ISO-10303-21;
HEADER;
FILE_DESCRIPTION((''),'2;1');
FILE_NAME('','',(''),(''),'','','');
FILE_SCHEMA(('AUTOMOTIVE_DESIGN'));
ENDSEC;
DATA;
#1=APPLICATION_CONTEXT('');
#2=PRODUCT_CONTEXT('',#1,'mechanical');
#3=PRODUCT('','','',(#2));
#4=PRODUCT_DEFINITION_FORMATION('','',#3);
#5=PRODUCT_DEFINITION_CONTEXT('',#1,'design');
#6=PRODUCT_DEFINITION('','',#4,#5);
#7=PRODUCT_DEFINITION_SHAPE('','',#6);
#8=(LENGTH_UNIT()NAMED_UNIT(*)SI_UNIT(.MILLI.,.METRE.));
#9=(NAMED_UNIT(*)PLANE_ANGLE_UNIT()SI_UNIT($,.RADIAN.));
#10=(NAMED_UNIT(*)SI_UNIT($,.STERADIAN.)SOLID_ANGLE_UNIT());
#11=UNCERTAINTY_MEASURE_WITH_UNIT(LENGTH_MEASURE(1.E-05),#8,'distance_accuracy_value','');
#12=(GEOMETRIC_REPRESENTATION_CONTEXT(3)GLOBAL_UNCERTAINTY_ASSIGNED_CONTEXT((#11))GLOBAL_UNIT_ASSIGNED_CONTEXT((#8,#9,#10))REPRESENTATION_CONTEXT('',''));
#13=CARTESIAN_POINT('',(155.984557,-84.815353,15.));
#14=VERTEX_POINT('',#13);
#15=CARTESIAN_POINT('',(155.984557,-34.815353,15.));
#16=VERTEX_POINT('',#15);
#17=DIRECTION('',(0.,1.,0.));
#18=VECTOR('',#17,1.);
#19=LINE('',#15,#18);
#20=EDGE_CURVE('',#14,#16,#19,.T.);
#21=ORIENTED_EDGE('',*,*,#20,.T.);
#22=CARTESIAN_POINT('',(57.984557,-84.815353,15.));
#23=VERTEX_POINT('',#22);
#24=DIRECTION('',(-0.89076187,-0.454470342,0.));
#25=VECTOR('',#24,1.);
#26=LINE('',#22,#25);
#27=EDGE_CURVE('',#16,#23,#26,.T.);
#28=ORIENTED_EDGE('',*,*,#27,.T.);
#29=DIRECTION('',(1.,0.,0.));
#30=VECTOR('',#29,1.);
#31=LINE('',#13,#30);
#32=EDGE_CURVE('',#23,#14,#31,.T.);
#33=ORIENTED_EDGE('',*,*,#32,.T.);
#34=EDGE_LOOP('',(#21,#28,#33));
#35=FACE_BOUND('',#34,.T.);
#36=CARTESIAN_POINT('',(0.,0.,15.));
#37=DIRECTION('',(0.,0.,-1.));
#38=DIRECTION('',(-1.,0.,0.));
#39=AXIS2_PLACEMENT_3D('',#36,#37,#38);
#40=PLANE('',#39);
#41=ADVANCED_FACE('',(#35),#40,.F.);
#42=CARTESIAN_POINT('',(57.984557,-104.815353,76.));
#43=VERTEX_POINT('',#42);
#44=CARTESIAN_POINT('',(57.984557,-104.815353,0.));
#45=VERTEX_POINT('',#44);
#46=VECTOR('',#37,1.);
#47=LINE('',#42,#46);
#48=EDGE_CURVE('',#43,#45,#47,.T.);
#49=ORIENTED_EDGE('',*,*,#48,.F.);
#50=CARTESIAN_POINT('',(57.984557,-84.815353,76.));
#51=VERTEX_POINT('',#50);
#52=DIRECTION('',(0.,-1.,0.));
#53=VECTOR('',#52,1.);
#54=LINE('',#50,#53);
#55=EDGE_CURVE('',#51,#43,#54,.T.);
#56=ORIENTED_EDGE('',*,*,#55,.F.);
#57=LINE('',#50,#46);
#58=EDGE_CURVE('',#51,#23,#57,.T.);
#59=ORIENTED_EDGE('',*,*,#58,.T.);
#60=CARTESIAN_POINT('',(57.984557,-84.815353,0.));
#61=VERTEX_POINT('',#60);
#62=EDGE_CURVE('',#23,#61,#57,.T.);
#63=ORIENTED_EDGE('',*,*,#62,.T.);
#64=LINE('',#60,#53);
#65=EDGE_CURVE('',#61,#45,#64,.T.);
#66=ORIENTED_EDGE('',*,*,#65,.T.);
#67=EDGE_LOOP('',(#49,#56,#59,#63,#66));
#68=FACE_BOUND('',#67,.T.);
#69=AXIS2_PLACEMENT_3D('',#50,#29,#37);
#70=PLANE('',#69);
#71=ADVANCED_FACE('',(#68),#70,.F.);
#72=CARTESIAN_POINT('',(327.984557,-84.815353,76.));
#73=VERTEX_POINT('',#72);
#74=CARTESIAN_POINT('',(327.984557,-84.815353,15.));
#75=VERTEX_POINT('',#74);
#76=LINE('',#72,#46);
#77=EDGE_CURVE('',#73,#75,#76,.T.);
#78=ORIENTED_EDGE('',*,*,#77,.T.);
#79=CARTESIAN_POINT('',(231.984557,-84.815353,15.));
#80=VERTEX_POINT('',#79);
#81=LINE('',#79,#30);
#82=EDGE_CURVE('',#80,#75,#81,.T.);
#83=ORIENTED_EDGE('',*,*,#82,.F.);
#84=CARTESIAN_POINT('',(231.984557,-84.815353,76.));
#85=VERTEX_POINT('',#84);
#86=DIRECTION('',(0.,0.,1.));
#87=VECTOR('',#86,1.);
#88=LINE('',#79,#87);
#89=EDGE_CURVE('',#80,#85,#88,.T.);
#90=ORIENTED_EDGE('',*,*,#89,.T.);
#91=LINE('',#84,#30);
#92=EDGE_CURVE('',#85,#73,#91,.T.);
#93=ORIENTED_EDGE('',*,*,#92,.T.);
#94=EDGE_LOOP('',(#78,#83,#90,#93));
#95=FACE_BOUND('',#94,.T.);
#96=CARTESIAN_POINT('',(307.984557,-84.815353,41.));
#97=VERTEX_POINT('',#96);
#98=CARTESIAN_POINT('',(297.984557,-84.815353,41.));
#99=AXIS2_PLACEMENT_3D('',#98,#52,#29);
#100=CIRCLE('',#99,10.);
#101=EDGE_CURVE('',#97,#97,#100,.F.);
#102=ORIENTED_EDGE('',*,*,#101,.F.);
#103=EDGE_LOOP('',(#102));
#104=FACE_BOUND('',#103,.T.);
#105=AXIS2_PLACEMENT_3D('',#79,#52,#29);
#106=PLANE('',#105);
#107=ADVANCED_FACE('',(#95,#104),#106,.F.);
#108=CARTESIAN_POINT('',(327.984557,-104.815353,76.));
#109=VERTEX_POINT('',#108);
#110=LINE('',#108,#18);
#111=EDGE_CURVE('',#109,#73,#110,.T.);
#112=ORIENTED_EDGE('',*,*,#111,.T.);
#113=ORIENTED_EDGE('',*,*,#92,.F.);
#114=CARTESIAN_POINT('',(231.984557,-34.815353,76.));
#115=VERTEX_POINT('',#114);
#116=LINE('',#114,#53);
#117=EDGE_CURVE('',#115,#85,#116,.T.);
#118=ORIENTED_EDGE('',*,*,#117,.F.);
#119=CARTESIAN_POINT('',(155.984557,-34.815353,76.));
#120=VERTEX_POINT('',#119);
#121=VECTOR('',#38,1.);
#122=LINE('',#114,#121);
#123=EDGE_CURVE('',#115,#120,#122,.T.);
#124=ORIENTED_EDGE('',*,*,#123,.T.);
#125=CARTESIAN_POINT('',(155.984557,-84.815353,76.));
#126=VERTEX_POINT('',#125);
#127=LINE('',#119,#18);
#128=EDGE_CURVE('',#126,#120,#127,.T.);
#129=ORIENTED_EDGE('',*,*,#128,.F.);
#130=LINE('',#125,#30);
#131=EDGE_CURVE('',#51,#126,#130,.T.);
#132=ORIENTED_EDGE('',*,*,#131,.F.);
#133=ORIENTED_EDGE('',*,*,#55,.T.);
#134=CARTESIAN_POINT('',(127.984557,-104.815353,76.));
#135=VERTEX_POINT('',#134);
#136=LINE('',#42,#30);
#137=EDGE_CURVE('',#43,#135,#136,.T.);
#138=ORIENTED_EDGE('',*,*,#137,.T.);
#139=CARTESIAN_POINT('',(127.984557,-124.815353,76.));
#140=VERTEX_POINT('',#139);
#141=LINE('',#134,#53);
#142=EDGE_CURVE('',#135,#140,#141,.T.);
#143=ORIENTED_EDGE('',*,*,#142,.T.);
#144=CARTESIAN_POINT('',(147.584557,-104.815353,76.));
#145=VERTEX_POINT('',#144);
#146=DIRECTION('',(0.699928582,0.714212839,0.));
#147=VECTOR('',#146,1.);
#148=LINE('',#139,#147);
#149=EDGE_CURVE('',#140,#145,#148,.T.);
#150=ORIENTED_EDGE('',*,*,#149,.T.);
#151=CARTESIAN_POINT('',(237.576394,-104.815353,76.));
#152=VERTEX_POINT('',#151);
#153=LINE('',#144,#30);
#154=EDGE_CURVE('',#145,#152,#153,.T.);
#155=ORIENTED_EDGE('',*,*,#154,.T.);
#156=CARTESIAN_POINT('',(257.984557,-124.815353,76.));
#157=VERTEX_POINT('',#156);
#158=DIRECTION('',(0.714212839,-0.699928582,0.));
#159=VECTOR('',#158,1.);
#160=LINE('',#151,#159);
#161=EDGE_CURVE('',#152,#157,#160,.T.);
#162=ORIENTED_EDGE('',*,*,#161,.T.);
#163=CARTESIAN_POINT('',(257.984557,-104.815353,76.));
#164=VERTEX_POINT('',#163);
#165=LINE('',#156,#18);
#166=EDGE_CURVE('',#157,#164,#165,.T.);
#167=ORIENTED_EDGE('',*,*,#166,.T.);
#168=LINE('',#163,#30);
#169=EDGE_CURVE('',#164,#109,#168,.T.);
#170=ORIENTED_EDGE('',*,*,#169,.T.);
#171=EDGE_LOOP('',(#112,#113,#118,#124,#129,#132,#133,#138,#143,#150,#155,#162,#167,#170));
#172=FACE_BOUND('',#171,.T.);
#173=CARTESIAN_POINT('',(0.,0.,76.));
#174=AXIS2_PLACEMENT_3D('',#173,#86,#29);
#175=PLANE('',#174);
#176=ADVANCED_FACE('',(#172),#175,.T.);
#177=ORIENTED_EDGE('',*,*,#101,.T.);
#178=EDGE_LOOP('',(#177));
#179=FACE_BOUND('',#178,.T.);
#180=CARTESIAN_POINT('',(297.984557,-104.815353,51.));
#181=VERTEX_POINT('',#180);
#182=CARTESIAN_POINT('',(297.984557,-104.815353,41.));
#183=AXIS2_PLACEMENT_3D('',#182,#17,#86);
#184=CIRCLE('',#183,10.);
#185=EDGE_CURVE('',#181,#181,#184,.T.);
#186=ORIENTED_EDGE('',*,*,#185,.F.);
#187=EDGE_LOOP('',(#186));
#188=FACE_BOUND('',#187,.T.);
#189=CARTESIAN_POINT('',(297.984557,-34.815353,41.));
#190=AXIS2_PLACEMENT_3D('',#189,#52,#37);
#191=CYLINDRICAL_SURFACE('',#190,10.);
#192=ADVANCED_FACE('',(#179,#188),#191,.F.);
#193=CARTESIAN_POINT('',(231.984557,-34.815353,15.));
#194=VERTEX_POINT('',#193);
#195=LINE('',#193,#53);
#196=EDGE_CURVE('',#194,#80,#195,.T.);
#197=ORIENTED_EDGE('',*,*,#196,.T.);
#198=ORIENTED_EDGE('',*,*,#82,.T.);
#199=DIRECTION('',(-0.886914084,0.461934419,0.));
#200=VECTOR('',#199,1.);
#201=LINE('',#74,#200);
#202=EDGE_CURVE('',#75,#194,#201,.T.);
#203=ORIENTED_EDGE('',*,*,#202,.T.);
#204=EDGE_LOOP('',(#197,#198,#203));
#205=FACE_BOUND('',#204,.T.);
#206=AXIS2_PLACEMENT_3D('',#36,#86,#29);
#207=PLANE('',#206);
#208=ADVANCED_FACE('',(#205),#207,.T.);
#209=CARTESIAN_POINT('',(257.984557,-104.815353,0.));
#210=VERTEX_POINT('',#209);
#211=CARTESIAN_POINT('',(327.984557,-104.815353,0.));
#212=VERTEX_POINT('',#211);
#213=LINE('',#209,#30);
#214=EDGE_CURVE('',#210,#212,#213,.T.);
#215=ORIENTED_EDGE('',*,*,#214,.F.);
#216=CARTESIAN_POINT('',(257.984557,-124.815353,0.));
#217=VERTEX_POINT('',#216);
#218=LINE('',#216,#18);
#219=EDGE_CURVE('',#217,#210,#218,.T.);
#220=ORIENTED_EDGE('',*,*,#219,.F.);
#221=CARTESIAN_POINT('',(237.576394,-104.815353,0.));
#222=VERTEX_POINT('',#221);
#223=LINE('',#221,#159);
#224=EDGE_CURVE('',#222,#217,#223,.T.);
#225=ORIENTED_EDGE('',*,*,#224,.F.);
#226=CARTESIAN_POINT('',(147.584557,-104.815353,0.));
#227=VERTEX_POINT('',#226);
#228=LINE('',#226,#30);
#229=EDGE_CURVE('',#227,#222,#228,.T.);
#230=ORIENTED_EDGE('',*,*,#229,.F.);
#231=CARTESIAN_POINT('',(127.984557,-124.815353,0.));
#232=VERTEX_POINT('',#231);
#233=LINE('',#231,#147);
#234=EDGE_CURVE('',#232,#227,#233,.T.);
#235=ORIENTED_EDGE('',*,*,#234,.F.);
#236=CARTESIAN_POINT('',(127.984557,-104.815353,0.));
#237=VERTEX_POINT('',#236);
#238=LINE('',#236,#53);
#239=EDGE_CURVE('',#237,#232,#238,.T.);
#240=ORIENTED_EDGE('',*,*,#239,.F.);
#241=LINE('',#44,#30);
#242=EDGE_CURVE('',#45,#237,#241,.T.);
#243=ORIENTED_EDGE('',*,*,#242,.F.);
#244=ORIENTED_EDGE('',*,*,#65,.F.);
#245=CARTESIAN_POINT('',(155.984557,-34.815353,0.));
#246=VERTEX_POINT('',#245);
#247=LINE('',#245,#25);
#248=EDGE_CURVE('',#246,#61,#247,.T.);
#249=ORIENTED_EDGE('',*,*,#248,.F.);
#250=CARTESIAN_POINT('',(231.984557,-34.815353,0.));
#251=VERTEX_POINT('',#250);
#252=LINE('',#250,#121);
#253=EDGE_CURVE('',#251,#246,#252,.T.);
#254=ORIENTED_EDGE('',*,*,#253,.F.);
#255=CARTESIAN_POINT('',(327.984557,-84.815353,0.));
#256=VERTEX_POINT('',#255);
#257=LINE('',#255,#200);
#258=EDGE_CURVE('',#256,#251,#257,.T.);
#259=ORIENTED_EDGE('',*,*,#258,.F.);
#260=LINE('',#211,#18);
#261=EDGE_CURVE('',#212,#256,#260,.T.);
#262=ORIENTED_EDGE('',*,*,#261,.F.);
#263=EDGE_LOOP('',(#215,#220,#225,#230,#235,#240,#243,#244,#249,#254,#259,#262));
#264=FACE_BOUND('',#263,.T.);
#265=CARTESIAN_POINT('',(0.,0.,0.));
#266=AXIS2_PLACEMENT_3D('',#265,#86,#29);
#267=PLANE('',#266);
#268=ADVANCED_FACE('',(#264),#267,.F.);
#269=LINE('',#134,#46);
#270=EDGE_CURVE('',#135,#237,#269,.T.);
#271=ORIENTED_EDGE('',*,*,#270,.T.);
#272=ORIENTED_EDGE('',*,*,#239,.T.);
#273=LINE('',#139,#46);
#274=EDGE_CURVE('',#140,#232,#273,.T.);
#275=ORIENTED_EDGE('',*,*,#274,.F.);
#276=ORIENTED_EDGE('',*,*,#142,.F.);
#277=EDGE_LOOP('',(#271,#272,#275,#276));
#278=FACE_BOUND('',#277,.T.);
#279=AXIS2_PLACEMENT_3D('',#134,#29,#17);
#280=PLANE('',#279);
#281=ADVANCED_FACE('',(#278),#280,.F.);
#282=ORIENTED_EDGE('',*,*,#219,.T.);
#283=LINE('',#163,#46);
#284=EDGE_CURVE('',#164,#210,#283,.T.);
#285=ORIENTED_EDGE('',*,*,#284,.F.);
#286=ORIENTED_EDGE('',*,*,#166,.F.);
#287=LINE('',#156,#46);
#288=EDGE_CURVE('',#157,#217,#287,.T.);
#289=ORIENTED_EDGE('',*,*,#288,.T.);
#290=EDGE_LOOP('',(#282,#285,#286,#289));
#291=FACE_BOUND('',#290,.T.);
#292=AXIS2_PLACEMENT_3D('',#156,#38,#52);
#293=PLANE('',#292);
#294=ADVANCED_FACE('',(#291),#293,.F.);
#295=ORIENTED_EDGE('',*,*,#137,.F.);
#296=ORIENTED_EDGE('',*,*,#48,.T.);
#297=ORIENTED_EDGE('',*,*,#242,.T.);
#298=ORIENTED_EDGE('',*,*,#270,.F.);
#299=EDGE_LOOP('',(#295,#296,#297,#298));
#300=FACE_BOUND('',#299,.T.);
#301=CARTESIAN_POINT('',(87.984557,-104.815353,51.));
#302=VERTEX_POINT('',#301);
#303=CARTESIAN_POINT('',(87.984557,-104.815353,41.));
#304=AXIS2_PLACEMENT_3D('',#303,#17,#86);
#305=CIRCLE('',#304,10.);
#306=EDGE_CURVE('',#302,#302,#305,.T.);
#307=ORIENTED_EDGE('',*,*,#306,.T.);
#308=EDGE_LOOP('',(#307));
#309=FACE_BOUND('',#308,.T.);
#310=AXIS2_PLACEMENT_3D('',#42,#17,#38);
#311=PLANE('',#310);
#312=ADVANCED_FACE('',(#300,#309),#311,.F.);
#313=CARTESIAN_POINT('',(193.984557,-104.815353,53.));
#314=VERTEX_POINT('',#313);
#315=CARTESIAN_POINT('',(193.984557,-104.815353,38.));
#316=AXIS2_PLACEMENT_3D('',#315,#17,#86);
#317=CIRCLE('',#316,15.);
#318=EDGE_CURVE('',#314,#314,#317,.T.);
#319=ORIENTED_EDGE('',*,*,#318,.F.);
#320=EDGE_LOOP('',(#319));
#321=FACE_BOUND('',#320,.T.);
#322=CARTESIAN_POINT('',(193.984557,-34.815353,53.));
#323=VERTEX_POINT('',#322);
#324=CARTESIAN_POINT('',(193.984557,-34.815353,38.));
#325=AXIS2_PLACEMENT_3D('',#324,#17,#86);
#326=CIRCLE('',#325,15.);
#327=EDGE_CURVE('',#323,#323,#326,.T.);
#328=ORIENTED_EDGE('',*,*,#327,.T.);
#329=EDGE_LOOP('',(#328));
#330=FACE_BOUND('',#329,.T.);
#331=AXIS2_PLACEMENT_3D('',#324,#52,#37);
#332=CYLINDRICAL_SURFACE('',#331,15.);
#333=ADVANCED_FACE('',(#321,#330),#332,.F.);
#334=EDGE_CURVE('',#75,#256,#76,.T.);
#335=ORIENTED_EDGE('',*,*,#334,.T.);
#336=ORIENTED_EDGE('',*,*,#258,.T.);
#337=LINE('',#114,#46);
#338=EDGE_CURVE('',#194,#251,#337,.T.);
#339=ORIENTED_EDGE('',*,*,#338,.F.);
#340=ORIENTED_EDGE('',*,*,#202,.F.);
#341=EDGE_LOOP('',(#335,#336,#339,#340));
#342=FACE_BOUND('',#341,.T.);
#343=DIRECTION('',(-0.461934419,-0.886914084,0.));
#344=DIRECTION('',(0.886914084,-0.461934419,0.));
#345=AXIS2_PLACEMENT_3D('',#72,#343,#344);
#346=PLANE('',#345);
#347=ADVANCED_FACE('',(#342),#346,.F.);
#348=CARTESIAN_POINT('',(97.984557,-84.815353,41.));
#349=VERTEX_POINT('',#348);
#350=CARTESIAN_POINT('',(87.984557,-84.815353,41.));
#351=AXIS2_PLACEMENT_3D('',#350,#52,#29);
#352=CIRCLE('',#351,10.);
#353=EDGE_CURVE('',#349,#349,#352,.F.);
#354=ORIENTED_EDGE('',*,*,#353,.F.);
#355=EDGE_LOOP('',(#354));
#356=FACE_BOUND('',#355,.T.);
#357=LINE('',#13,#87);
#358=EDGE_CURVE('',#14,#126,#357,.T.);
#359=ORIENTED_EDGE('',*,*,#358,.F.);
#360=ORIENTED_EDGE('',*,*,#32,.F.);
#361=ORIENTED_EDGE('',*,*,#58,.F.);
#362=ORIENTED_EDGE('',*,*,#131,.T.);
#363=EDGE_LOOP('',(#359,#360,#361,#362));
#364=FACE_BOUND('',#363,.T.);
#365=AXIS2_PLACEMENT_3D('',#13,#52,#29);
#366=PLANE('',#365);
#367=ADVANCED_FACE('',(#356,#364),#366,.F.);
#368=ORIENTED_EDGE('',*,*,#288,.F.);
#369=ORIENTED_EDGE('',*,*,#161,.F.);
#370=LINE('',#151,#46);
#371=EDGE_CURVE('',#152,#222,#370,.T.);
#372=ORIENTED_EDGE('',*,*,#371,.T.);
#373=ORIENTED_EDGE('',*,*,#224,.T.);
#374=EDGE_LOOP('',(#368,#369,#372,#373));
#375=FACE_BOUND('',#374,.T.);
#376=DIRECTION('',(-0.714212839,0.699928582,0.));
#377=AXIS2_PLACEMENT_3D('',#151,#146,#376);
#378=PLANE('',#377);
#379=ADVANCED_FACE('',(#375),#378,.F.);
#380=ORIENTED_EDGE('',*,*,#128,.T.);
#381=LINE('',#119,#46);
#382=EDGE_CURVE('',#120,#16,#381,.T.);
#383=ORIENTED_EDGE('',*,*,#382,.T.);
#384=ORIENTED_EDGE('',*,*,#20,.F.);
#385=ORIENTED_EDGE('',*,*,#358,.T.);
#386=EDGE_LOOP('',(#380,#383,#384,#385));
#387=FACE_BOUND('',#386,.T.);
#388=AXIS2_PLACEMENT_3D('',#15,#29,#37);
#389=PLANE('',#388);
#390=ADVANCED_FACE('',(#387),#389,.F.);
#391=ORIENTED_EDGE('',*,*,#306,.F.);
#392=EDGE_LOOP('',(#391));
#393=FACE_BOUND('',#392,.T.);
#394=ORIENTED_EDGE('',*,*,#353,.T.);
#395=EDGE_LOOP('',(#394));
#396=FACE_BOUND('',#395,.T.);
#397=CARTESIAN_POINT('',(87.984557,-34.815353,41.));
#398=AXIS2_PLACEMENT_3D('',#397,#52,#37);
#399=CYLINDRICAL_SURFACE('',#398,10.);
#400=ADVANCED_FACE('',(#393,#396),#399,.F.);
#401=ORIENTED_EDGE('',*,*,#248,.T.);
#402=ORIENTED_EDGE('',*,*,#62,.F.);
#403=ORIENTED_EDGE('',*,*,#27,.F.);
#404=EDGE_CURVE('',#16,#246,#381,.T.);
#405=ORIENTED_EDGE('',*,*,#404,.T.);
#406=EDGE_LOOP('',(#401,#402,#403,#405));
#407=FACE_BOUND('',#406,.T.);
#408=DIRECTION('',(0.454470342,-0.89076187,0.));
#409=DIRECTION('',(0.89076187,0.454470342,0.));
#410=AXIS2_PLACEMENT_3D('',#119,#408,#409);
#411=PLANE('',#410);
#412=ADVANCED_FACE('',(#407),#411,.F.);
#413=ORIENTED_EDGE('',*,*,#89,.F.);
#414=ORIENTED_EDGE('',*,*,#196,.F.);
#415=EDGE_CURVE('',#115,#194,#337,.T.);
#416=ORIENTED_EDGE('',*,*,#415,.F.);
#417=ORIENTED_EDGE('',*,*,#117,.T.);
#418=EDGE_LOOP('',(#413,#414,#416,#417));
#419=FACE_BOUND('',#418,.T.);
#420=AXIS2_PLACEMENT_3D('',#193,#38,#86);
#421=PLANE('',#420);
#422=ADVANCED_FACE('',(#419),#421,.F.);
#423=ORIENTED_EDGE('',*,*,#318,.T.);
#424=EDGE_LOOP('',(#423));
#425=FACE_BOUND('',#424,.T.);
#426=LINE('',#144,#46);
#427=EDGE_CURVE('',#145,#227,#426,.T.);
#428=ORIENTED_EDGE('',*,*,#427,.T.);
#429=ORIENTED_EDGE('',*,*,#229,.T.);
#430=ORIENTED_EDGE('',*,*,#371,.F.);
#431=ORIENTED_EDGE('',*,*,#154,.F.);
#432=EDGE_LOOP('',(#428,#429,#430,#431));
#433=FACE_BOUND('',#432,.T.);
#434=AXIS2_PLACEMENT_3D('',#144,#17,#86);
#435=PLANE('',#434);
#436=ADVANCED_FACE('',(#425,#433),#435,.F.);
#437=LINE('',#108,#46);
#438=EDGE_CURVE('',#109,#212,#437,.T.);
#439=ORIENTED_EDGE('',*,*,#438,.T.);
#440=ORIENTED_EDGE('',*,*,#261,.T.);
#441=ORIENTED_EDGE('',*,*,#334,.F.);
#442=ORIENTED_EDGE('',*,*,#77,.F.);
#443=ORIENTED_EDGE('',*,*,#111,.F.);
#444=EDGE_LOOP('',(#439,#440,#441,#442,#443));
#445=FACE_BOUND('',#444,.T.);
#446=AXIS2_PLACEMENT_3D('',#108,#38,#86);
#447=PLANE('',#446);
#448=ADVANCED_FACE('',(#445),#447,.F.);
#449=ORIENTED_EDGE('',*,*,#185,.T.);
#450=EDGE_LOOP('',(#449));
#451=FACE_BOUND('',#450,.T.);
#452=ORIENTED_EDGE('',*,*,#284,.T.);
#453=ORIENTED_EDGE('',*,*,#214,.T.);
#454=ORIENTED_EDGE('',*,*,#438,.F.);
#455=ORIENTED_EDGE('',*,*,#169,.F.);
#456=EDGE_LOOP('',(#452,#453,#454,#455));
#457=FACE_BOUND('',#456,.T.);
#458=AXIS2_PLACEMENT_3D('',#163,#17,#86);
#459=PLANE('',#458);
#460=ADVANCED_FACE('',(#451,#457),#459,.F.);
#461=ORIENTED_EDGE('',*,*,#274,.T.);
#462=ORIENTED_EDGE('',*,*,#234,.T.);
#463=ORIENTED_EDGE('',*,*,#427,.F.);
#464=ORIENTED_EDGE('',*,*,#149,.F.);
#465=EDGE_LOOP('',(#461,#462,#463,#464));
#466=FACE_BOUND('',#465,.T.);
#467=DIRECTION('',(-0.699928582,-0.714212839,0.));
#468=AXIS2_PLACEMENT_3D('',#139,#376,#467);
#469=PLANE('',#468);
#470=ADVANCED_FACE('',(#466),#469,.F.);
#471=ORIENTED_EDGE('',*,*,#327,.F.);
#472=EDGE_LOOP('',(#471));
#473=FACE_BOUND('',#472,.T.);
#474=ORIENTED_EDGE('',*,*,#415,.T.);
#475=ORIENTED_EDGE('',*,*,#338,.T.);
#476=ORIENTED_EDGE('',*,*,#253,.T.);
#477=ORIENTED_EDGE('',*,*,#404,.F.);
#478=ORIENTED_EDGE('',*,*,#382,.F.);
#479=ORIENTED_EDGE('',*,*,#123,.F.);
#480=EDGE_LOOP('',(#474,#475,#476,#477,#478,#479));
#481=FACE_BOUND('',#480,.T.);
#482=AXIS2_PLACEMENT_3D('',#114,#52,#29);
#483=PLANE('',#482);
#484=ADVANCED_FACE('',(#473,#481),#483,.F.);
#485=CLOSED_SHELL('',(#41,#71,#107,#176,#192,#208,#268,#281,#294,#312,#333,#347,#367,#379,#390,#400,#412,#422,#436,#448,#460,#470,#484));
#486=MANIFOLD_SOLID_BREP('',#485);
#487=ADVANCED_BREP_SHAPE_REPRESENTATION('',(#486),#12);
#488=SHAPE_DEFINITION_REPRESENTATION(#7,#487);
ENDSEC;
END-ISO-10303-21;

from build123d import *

# Parameters (mm, degrees)
BOSS_EXTRUDE1_DEPTH = 76
CUT_EXTRUDE1_DEPTH  = 61
SKETCH7_R           = 15
SKETCH7_R_2         = 10
CUT_EXTRUDE4_DEPTH  = 71


with BuildPart() as part:
    # Sketch2 → Boss-Extrude1 (new body)
    with BuildSketch(Plane.XY):
        Polygon((155.98455698, -34.815353078), (57.98455698, -84.815353078), (57.98455698, -104.815353078), (127.98455698, -104.815353078), (127.98455698, -124.815353078), (147.58455698, -104.815353078), (237.576393715, -104.815353078), (257.98455698, -124.815353078), (257.98455698, -104.815353078), (327.98455698, -104.815353078), (327.98455698, -84.815353078), (231.98455698, -34.815353078), align=None)
    extrude(amount=BOSS_EXTRUDE1_DEPTH)

    # Sketch5 → Cut-Extrude1 (cut)
    with BuildSketch(Plane.XY.offset(76)):
        Polygon((155.98455698, -34.815353078), (155.98455698, -84.815353078), (57.98455698, -84.815353078), align=None)
        Polygon((231.98455698, -34.815353078), (231.98455698, -84.815353078), (327.98455698, -84.815353078), align=None)
    extrude(amount=-CUT_EXTRUDE1_DEPTH, mode=Mode.SUBTRACT)

    # Sketch7 → Cut-Extrude4 (cut, through all)
    with BuildSketch(Plane(origin=(0, -104.815353078, 0), x_dir=(1, 0, 0), z_dir=(0, 1, 0))):
        with Locations((193.98455698, -38)):
            Circle(SKETCH7_R)
        with Locations((87.98455698, -41)):
            Circle(SKETCH7_R_2)
        with Locations((297.98455698, -41)):
            Circle(SKETCH7_R_2)
    extrude(amount=CUT_EXTRUDE4_DEPTH, mode=Mode.SUBTRACT)


solid = part.part
